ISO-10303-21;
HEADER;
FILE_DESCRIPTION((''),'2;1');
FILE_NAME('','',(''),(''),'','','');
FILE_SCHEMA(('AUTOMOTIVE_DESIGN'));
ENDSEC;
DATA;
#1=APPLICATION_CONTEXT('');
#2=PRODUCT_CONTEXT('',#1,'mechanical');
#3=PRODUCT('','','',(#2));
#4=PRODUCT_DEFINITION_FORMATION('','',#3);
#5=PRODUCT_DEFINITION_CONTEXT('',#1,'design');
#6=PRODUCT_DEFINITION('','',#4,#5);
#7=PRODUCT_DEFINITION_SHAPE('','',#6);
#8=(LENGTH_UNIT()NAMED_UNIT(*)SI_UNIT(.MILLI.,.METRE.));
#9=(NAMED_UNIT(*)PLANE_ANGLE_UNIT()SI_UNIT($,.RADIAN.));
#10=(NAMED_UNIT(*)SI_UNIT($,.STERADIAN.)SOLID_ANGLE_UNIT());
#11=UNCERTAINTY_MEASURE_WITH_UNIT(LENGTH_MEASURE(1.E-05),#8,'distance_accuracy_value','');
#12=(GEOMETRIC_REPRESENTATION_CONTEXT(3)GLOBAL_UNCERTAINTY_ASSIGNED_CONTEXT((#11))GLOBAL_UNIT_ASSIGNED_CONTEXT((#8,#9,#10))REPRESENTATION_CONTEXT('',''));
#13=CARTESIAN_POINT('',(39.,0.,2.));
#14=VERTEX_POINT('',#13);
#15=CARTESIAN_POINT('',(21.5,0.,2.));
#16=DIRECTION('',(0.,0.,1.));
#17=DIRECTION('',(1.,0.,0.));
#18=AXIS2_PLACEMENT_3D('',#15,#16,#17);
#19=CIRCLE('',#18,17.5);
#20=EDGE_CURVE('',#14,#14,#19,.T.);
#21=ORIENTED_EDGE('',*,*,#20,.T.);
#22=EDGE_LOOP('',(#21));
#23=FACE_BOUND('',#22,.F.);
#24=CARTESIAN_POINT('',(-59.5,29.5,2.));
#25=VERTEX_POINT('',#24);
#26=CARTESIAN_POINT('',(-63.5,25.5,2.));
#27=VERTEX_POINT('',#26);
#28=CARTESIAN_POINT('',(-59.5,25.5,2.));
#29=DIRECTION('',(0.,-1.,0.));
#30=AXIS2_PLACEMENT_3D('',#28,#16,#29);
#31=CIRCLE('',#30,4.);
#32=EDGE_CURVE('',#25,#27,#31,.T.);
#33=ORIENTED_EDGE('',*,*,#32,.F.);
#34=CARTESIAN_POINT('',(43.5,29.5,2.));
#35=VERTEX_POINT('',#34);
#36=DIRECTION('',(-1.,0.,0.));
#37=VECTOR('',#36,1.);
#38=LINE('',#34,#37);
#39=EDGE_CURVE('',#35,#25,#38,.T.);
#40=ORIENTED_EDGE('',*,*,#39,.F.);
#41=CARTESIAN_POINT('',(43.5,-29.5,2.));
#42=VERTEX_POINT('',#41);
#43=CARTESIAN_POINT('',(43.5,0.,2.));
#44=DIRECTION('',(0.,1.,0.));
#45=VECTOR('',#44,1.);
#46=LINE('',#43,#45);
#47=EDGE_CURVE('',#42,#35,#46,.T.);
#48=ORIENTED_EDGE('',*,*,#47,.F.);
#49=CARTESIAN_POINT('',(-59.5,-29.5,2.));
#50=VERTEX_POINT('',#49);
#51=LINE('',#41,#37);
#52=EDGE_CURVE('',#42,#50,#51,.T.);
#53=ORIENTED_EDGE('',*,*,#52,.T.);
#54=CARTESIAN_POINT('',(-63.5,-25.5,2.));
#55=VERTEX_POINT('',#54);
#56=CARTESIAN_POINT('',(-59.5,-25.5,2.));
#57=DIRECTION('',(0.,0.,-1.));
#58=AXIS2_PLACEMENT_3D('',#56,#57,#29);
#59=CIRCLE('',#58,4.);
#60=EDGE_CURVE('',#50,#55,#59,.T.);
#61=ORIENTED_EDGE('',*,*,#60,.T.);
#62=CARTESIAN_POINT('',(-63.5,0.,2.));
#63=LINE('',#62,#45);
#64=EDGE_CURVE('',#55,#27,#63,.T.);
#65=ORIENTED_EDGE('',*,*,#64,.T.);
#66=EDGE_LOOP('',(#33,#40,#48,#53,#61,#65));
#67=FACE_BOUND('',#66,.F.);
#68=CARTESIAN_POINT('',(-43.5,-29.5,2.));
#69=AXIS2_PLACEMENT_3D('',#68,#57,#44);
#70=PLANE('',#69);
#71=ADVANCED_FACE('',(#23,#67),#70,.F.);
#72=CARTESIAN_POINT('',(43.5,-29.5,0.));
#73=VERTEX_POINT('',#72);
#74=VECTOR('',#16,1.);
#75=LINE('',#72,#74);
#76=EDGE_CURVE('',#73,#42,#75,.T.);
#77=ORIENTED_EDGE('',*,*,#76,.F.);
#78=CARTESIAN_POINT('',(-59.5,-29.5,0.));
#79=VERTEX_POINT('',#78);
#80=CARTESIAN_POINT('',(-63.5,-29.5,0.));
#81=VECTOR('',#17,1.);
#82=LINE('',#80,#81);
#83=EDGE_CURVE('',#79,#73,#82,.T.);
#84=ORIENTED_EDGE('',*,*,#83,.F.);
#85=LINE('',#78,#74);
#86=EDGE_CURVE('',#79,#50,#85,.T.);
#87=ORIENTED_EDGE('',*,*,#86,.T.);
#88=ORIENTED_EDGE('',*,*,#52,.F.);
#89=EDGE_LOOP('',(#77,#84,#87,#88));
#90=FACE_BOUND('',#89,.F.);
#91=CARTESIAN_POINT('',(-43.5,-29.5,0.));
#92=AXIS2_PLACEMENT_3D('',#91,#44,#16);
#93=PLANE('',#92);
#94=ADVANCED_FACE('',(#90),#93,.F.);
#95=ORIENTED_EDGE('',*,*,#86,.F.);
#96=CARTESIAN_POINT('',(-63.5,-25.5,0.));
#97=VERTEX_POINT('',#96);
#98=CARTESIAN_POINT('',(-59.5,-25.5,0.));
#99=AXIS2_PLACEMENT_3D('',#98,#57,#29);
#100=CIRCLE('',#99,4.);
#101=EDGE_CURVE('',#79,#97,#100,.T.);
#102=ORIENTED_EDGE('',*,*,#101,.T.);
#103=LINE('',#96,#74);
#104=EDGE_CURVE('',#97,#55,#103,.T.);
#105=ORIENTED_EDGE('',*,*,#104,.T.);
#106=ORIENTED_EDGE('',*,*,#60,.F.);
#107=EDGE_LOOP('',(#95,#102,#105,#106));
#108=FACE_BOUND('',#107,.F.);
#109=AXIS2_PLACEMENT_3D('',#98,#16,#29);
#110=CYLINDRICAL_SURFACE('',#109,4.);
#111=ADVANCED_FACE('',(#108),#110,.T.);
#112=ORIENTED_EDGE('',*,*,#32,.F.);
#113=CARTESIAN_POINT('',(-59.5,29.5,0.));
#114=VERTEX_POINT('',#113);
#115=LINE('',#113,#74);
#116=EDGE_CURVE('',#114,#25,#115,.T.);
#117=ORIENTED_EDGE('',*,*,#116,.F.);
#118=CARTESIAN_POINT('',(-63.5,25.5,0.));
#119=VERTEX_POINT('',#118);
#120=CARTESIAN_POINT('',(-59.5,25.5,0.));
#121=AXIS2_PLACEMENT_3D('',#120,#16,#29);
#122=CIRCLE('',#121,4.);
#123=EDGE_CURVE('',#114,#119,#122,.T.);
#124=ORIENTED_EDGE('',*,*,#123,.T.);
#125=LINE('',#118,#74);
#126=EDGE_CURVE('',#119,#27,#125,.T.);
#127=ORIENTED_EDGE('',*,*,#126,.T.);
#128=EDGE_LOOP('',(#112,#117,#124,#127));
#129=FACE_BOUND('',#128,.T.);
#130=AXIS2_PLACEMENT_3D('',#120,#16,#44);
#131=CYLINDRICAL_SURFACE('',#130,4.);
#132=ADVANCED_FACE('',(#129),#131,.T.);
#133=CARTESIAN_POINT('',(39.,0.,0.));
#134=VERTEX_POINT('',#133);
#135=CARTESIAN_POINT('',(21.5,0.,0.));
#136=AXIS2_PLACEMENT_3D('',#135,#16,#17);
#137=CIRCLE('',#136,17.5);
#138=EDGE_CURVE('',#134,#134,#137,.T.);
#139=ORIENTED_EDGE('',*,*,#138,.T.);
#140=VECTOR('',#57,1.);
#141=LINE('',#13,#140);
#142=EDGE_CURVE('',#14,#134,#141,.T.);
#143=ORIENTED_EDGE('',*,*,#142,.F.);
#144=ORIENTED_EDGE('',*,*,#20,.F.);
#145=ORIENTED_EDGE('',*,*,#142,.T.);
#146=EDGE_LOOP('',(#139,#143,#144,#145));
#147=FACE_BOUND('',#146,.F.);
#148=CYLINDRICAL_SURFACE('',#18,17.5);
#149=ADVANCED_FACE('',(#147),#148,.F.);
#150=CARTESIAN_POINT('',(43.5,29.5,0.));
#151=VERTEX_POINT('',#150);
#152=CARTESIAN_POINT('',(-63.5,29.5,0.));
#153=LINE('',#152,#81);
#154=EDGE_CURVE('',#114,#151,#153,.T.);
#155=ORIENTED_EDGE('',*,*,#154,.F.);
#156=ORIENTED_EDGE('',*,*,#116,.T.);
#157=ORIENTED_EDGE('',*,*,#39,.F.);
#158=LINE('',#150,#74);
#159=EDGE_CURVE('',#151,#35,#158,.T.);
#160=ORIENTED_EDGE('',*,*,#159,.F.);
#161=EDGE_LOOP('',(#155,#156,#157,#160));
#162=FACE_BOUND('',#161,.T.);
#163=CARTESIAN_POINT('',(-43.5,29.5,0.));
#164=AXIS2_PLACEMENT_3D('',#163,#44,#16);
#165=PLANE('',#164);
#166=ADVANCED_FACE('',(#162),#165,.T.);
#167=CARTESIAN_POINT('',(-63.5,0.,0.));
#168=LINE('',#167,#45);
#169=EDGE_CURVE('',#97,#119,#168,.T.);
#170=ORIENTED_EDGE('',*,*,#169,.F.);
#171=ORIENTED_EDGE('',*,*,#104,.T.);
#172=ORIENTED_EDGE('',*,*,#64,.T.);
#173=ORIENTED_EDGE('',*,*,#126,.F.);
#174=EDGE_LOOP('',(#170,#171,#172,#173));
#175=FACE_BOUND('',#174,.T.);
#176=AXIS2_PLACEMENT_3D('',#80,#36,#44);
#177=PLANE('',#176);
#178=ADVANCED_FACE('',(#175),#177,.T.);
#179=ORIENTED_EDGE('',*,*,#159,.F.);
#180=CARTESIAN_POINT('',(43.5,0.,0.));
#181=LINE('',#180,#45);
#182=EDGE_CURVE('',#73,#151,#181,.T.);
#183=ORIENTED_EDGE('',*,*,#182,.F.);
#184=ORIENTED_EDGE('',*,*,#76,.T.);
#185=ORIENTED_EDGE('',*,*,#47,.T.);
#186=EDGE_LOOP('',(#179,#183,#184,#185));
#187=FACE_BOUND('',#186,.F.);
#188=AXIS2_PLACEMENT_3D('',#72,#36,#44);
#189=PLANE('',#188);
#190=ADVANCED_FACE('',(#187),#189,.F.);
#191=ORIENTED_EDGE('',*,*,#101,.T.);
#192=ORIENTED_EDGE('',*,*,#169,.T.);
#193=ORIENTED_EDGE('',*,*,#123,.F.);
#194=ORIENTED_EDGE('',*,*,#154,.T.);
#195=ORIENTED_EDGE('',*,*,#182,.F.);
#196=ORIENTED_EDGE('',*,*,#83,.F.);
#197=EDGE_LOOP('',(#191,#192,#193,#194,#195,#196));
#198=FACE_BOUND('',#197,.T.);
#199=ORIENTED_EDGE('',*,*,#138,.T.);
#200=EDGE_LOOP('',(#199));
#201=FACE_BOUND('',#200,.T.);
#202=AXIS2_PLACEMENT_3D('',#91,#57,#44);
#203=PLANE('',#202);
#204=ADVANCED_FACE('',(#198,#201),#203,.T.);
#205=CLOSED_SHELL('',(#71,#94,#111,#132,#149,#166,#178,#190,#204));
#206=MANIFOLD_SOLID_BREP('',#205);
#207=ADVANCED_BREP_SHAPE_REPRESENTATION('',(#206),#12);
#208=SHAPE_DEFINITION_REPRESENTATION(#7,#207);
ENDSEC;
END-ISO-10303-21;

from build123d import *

# Parameters (mm, degrees)
F0_W     = 87
F0_H     = 59
F1_DEPTH = 2
F2_R     = 17.5
F3_DEPTH = 25
F4_DEPTH = 20
F5_R     = 4


with BuildPart() as f1:
    # F0 (on Top) → F1 (new body)
    with BuildSketch(Plane.XY):
        Rectangle(F0_W, F0_H)
    extrude(amount=F1_DEPTH)

    # F2 (on face) → F3 (cut)
    with BuildSketch(Plane.XY.offset(2)):
        with Locations((21.5, 0)):
            Circle(F2_R)
    extrude(amount=-F3_DEPTH, mode=Mode.SUBTRACT)

    # F4 (add): a face of the model
    f4_faces = [f1.faces().sort_by_distance(p)[0] for p in [
        (-43.5, 0, 1),
    ]]
    extrude(f4_faces, amount=F4_DEPTH)

    # F5
    f5_edges = [f1.edges().sort_by_distance(p)[0] for p in [
        (-63.5, 29.5, 1),
        (-63.5, -29.5, 1),
    ]]
    fillet(f5_edges, radius=F5_R)


solid = f1.part
